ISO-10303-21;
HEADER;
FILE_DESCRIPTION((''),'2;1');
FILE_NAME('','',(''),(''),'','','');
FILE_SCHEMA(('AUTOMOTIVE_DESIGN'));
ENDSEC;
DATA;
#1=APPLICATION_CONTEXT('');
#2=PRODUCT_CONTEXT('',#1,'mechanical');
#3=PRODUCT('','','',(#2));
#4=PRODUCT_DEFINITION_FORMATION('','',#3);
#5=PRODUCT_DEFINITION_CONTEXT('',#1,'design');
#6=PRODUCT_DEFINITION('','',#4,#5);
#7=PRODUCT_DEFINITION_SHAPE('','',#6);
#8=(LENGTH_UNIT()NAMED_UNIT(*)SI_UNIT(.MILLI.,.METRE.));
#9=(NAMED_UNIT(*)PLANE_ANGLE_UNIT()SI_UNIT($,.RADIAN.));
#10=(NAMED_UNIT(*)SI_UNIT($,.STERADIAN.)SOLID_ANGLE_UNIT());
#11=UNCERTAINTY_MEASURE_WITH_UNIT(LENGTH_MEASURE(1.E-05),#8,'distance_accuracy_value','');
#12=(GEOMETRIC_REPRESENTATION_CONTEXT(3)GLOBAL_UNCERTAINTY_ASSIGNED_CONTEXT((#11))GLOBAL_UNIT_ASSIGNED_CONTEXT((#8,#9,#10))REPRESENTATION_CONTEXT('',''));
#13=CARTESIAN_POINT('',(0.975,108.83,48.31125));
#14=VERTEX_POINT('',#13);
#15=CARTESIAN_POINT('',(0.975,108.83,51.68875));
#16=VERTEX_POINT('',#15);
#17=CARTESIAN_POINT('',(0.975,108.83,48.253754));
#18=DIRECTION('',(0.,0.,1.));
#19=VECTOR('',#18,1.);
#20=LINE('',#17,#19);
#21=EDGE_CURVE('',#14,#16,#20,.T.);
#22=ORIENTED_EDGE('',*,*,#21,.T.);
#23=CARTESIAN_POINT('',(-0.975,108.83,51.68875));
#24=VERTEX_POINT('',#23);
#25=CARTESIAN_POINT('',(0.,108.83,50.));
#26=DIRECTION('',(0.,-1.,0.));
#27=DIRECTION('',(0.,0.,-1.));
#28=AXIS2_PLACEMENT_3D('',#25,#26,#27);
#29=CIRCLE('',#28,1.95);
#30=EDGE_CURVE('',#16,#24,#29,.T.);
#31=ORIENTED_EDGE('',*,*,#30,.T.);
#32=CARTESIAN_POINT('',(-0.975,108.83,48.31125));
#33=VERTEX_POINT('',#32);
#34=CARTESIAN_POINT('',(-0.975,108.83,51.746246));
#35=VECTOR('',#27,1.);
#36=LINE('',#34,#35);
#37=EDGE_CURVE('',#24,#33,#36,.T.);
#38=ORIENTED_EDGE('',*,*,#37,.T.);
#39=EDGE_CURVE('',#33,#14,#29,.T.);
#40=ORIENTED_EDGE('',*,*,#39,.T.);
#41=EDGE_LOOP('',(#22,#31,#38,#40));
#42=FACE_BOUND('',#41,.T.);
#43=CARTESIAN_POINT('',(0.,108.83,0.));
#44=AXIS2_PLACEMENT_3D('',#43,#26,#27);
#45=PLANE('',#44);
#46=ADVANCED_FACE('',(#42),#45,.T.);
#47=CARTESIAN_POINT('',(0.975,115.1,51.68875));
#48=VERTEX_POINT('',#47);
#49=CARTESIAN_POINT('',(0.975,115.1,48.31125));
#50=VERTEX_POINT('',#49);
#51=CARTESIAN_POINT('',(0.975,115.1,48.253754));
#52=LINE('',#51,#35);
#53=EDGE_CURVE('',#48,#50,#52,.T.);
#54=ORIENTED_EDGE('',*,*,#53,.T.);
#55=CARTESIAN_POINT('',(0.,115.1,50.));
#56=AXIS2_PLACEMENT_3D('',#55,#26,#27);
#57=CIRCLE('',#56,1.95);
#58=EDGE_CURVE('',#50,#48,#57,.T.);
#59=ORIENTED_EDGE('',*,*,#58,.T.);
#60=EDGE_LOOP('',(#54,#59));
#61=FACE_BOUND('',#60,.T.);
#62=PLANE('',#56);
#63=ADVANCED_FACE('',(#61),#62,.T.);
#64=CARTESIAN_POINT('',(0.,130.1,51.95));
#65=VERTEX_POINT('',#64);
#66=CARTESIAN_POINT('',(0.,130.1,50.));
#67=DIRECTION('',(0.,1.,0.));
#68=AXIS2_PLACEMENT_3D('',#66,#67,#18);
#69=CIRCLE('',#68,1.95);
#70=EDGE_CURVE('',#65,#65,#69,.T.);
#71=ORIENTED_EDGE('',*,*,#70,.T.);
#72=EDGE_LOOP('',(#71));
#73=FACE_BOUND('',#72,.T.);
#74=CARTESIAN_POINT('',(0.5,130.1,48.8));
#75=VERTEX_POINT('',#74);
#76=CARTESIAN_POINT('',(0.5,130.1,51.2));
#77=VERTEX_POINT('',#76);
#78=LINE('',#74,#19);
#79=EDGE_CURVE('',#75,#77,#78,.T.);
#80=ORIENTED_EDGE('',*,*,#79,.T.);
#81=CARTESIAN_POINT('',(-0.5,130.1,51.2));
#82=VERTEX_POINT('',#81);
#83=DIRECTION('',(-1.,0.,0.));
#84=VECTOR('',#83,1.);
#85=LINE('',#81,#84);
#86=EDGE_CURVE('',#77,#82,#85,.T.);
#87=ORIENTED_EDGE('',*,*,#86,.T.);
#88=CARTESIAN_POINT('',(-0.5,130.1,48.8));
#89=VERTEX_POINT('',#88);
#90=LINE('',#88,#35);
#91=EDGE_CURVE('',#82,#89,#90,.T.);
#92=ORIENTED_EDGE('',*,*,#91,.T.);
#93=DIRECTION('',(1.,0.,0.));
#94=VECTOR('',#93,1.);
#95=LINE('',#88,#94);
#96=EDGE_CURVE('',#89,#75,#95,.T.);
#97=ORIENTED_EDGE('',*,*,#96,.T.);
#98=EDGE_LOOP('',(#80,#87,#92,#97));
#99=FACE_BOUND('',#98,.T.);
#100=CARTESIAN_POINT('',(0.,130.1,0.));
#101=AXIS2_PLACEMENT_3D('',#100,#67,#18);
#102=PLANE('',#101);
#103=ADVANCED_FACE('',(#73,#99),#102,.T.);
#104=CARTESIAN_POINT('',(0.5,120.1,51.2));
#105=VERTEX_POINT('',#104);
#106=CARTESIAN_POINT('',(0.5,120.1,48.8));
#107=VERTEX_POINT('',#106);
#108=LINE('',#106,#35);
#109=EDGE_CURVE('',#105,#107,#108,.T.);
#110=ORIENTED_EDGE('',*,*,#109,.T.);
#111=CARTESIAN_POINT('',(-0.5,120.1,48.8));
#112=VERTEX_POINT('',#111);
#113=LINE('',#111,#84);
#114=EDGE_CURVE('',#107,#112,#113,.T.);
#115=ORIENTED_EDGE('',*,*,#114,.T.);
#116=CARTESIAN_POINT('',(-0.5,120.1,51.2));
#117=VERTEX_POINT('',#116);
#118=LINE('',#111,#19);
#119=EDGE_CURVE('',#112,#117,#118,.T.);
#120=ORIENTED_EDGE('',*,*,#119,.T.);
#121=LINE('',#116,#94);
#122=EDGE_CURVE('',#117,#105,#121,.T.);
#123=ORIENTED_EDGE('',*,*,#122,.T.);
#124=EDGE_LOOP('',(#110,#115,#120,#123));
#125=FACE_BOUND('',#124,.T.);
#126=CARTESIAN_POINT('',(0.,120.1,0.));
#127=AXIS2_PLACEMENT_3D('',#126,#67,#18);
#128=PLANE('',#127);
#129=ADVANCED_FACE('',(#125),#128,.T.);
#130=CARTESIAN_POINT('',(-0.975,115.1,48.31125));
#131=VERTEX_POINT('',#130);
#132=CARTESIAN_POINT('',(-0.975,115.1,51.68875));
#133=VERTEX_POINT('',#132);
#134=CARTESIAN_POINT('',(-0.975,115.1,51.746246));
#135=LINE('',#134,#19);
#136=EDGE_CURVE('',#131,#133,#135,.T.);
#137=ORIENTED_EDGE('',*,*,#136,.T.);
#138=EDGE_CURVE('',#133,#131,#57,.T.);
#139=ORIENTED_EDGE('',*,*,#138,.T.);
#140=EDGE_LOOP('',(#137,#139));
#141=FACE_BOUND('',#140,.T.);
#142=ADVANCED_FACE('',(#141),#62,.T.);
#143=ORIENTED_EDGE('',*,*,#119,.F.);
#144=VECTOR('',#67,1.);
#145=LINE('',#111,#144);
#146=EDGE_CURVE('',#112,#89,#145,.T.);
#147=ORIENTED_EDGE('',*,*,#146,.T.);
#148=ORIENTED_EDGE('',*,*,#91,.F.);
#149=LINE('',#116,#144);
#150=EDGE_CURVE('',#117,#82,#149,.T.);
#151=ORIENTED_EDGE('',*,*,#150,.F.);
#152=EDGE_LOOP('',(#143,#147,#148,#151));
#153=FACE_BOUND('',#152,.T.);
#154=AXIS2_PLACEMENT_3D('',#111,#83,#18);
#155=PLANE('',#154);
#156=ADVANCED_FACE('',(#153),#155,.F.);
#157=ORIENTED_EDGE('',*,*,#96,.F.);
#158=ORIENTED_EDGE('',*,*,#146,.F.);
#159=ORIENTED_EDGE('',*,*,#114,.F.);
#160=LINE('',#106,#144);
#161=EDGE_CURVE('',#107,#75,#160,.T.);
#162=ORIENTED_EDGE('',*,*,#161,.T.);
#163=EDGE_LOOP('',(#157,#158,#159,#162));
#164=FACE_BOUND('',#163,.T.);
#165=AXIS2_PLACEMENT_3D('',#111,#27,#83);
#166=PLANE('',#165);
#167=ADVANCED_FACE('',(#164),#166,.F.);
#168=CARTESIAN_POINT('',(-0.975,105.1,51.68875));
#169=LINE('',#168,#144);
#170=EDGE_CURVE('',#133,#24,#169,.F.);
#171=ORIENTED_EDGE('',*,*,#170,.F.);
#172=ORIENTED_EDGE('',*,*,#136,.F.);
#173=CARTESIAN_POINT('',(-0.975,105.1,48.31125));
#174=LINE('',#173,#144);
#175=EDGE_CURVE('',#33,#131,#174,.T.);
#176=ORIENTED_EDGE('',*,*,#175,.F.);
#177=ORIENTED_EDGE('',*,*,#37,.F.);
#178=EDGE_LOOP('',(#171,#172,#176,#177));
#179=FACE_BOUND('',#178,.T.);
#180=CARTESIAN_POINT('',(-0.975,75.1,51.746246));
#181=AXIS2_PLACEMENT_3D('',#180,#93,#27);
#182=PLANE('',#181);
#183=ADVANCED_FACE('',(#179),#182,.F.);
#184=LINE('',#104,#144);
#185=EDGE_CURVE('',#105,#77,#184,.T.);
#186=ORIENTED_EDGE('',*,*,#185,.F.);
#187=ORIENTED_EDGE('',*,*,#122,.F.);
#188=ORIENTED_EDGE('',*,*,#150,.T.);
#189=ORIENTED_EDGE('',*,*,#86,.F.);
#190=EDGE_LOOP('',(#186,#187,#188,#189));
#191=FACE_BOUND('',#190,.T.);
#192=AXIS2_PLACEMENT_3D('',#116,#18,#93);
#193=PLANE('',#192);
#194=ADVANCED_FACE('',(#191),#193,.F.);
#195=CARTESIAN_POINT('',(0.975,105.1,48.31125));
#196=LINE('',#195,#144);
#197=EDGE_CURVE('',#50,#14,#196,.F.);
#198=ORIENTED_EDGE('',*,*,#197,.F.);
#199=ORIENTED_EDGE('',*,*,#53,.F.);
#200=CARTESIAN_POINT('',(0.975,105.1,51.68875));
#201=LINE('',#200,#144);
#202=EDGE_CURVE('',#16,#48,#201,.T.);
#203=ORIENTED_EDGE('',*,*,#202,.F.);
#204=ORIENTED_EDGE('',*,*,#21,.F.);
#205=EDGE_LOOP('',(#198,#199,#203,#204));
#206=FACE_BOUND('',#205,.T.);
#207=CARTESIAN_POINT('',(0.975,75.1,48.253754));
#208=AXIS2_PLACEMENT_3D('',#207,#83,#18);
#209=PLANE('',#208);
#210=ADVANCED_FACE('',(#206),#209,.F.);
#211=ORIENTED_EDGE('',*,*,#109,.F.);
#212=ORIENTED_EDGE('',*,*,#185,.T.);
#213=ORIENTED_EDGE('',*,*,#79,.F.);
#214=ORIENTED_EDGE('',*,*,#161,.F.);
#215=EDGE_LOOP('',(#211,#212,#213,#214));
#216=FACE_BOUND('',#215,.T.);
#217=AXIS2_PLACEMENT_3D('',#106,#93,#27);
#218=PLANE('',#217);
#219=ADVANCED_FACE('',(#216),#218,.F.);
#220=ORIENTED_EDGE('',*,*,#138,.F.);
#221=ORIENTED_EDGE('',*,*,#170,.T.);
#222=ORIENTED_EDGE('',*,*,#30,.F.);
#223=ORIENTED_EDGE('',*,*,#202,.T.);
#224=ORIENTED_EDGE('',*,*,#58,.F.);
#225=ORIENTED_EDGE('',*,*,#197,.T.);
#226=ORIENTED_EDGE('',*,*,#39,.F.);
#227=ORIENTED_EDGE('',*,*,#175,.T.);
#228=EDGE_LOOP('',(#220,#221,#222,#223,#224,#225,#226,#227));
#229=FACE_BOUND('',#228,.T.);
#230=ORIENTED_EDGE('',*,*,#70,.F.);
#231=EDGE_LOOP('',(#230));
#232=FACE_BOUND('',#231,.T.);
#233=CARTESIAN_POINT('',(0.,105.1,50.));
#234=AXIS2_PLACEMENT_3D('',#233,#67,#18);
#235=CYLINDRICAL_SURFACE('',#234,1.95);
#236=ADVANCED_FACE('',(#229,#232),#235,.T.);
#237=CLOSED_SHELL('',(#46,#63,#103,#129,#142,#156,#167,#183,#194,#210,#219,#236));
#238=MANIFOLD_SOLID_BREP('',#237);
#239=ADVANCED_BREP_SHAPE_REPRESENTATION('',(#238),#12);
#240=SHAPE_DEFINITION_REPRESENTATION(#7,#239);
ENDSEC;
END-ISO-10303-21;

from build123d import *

# Parameters (mm, degrees)
SKETCH1_R               = 30
BOSS_EXTRUDE1_DEPTH     = 200
BOSS_EXTRUDE2_START     = -60
SKETCH2_R               = 4
BOSS_EXTRUDE2_DEPTH     = 80
BOSS_EXTRUDE3_DEPTH     = 10
BOSS_EXTRUDE4_DEPTH     = 10
FILLET1_R               = 10
FILLET2_R               = 3
CUT_EXTRUDE1_START      = -34
SKETCH7_R               = 4
CUT_EXTRUDE1_DEPTH      = 12
SKETCH8_R               = 2
CUT_EXTRUDE2_DEPTH      = 70
BOSS_EXTRUDE6_START     = 0.1
SKETCH9_R               = 2
BOSS_EXTRUDE6_DEPTH     = 70
CUT_EXTRUDE4_START      = -30
CUT_EXTRUDE4_DEPTH      = 35
SKETCH12_W              = 1
SKETCH12_H              = 2.4
CUT_EXTRUDE5_DEPTH      = 20
CUT_EXTRUDE6_START      = -200
SKETCH14_R              = 30
CUT_EXTRUDE6_DEPTH      = 200
SKETCH15_R              = 97.689585443
SKETCH15_R_2            = 2
CUT_EXTRUDE7_DEPTH      = 200
CUT_EXTRUDE8_DEPTH      = 200
CUT_EXTRUDE8_DEPTH_BACK = 200
SKETCH16_W              = 5.14946919
SKETCH16_H              = 11.525449866
CUT_EXTRUDE9_DEPTH      = 200
CUT_EXTRUDE9_DEPTH_BACK = 200
SKETCH17_W              = 4
SKETCH17_H              = 5
SKETCH19_W              = 8.073982183
SKETCH19_H              = 13.216207409
CUT_EXTRUDE11_DEPTH     = 7
SKETCH20_W              = 16.90925267
SKETCH20_H              = 17.799092854
CUT_EXTRUDE12_DEPTH     = 3
SKETCH21_W              = 18.708797059
SKETCH21_H              = 16.020174298
CUT_EXTRUDE13_DEPTH     = 3
SKETCH22_W              = 8.604903729
SKETCH22_H              = 5.934872157
CUT_EXTRUDE14_DEPTH     = 30.73
CUT_EXTRUDE15_DEPTH     = 5
SKETCH24_R              = 2
SKETCH24_R_2            = 1.95
CUT_EXTRUDE16_DEPTH     = 25


with BuildPart() as part:
    # Sketch1 → Boss-Extrude1 (new body)
    with BuildSketch(Plane(origin=(0, 0, 0), x_dir=(1, 0, 0), z_dir=(0, 1, 0))):
        Circle(SKETCH1_R)
    extrude(amount=BOSS_EXTRUDE1_DEPTH)

    # Sketch14 → Cut-Extrude6 (cut)
    with BuildSketch(Plane(origin=(0, 200, 0), x_dir=(1, 0, 0), z_dir=(0, 1, 0)).offset(CUT_EXTRUDE6_START)):
        Circle(SKETCH14_R)
    extrude(amount=CUT_EXTRUDE6_DEPTH, mode=Mode.SUBTRACT)


with BuildPart() as body_2:
    # Sketch2 → Boss-Extrude2 (new body)
    with BuildSketch(Plane(origin=(0, 200, 0), x_dir=(1, 0, 0), z_dir=(0, 1, 0)).offset(BOSS_EXTRUDE2_START)):
        with Locations((0, -50)):
            Circle(SKETCH2_R)
    extrude(amount=-BOSS_EXTRUDE2_DEPTH)

    # Sketch4 → Boss-Extrude3 (add)
    with BuildSketch(Plane(origin=(0, 140, 0), x_dir=(1, 0, 0), z_dir=(0, 1, 0))):
        with BuildLine():
            Line((-2.932848445, -47.28), (40.915854419, 0))
            Line((40.915854419, 0), (6, 37.648128431))
            Line((6, 37.648128431), (11.86569689, 43.088128431))
            Line((11.86569689, 43.088128431), (51.826748931, 0))
            Line((51.826748931, 0), (2.932848445, -52.72))
            ThreePointArc((2.932848445, -52.72), (2.72, -47.067151555), (-2.932848445, -47.28))
        make_face()
    extrude(amount=-BOSS_EXTRUDE3_DEPTH)

    # Sketch5 → Boss-Extrude4 (add)
    with BuildSketch(Plane.XZ.offset(-60)):
        with BuildLine():
            Line((6, -37.648128431), (11.86569689, -43.088128431))
            Line((11.86569689, -43.088128431), (51.826748931, 0))
            Line((51.826748931, 0), (2.932848445, 52.72))
            ThreePointArc((2.932848445, 52.72), (2.72, 47.067151555), (-2.932848445, 47.28))
            Line((-2.932848445, 47.28), (40.915854419, 0))
            Line((40.915854419, 0), (6, -37.648128431))
        make_face()
    extrude(amount=-BOSS_EXTRUDE4_DEPTH)

    # Fillet1
    fillet1_edges = [body_2.edges().sort_by_distance(p)[0] for p in [
        (51.826748931, 65, 0),
        (40.915854419, 65, 0),
        (40.915854419, 135, 0),
        (51.826748931, 135, 0),
    ]]
    fillet(fillet1_edges, radius=FILLET1_R)

    # Fillet2
    fillet2_edges = [body_2.edges().sort_by_distance(p)[0] for p in [
        (11.86569689, 65, -43.088128431),
        (8.932848445, 70, -40.368128431),
        (6, 65, -37.648128431),
        (8.932848445, 60, -40.368128431),
        (6, 135, -37.648128431),
        (8.932848445, 130, -40.368128431),
        (11.86569689, 135, -43.088128431),
        (8.932848445, 140, -40.368128431),
    ]]
    fillet(fillet2_edges, radius=FILLET2_R)

    # Sketch7 → Cut-Extrude1 (cut)
    with BuildSketch(Plane(origin=(0, 140, 0), x_dir=(1, 0, 0), z_dir=(0, 1, 0)).offset(CUT_EXTRUDE1_START)):
        with Locations((0, -50)):
            Circle(SKETCH7_R)
    extrude(amount=-CUT_EXTRUDE1_DEPTH, mode=Mode.SUBTRACT)


with BuildPart() as cut_extrude1_piece_1:
    # of the separate pieces the step leaves, piece 1, a body of its own (cut_extrude1_pieces)
    add(body_2.part.solids().sort_by_distance((13.90569689, 70, -40.888492097))[0])


with BuildPart() as cut_extrude1_piece_2:
    # of the separate pieces the step leaves, piece 2, a body of its own (cut_extrude1_pieces)
    add(body_2.part.solids().sort_by_distance((4, 130, 50))[0])


with BuildPart() as cut_extrude2_tool:
    # Sketch8 → Cut-Extrude2 (new body)
    with BuildSketch(Plane(origin=(0, 140, 0), x_dir=(1, 0, 0), z_dir=(0, 1, 0))):
        with Locations((0, -50)):
            Circle(SKETCH8_R)
    extrude(amount=-CUT_EXTRUDE2_DEPTH)


with BuildPart() as cut_extrude1_piece_1_1:
    add(cut_extrude1_piece_1.part)

    # Cut-Extrude2: cut by cut_extrude2_tool
    add(cut_extrude2_tool.part, mode=Mode.SUBTRACT)



with BuildPart() as cut_extrude1_piece_2_1:
    add(cut_extrude1_piece_2.part)

    # Cut-Extrude2: cut by cut_extrude2_tool
    add(cut_extrude2_tool.part, mode=Mode.SUBTRACT)


with BuildPart() as cut_extrude1_piece_1_2:
    add(cut_extrude1_piece_1_1.part)

    add(cut_extrude1_piece_2_1.part)  # Boss-Extrude6 merges Cut-Extrude1 piece 2
    # Sketch9 → Boss-Extrude6 (add)
    with BuildSketch(Plane(origin=(0, 140, 0), x_dir=(1, 0, 0), z_dir=(0, 1, 0)).offset(BOSS_EXTRUDE6_START)):
        with Locations((0, -50)):
            Circle(SKETCH9_R)
    extrude(amount=-BOSS_EXTRUDE6_DEPTH)

    # Sketch11 → Cut-Extrude4 (cut)
    with BuildSketch(Plane(origin=(0, 140.1, 0), x_dir=(1, 0, 0), z_dir=(0, 1, 0)).offset(CUT_EXTRUDE4_START)):
        with BuildLine():
            Line((-0.975, -51.746245974), (-0.975, -48.253754026))
            ThreePointArc((-0.975, -48.253754026), (-2, -50), (-0.975, -51.746245974))
        make_face()
        with BuildLine():
            Line((0.975, -48.253754026), (0.975, -51.746245974))
            ThreePointArc((0.975, -51.746245974), (2, -50), (0.975, -48.253754026))
        make_face()
    extrude(amount=-CUT_EXTRUDE4_DEPTH, mode=Mode.SUBTRACT)

    # Sketch12 → Cut-Extrude5 (cut)
    with BuildSketch(Plane(origin=(0, 140.1, 0), x_dir=(1, 0, 0), z_dir=(0, 1, 0))):
        with Locations((0, -50)):
            Rectangle(SKETCH12_W, SKETCH12_H)
    extrude(amount=-CUT_EXTRUDE5_DEPTH, mode=Mode.SUBTRACT)

    # Sketch15 → Cut-Extrude7 (cut)
    with BuildSketch(Plane(origin=(0, 140, 0), x_dir=(1, 0, 0), z_dir=(0, 1, 0))):
        with Locations((0, -50)):
            Circle(SKETCH15_R)
        with Locations((0, -50)):
            Circle(SKETCH15_R_2, mode=Mode.SUBTRACT)
    extrude(amount=-CUT_EXTRUDE7_DEPTH, mode=Mode.SUBTRACT)


with BuildPart() as cut_extrude7_piece_1:
    # of the separate pieces the step leaves, piece 1, a body of its own (cut_extrude7_pieces)
    add(cut_extrude1_piece_1_2.part.solids().sort_by_distance((0.975, 110.1, 51.746245974))[0])

    # Sketch17 → Cut-Extrude9 (cut, two sides: drawn at the far end of the back side and taken through both)
    with BuildSketch(Plane.ZY.offset(0.975).offset(-CUT_EXTRUDE9_DEPTH_BACK)):
        with Locations((50, 72.6)):
            Rectangle(SKETCH17_W, SKETCH17_H)
    extrude(amount=CUT_EXTRUDE9_DEPTH + CUT_EXTRUDE9_DEPTH_BACK, mode=Mode.SUBTRACT)

    # Sketch19 → Cut-Extrude11 (cut)
    with BuildSketch(Plane(origin=(0, 140.1, 0), x_dir=(1, 0, 0), z_dir=(0, 1, 0))):
        with Locations((-1.711492601, -47.464499481)):
            Rectangle(SKETCH19_W, SKETCH19_H)
    extrude(amount=-CUT_EXTRUDE11_DEPTH, mode=Mode.SUBTRACT)

    # Sketch20 → Cut-Extrude12 (cut)
    with BuildSketch(Plane(origin=(0, 133.1, 0), x_dir=(1, 0, 0), z_dir=(0, 1, 0))):
        with Locations((1.357922153, -50.543868256)):
            Rectangle(SKETCH20_W, SKETCH20_H)
    extrude(amount=-CUT_EXTRUDE12_DEPTH, mode=Mode.SUBTRACT)

    # Sketch21 → Cut-Extrude13 (cut)
    with BuildSketch(Plane.XZ.offset(-75.1)):
        with Locations((-2.026585117, 52.503315088)):
            Rectangle(SKETCH21_W, SKETCH21_H)
    extrude(amount=-CUT_EXTRUDE13_DEPTH, mode=Mode.SUBTRACT)

    # Sketch22 → Cut-Extrude14 (cut)
    with BuildSketch(Plane.XZ.offset(-78.1)):
        with Locations((0.059480902, 50.237923606)):
            Rectangle(SKETCH22_W, SKETCH22_H)
    extrude(amount=-CUT_EXTRUDE14_DEPTH, mode=Mode.SUBTRACT)

    # Sketch23 → Cut-Extrude15 (cut)
    with BuildSketch(Plane.XZ.offset(-110.1)):
        with BuildLine():
            Line((-0.975, 51.746245974), (-0.975, 48.253754026))
            ThreePointArc((-0.975, 48.253754026), (-2, 50), (-0.975, 51.746245974))
        make_face()
        with BuildLine():
            Line((0.975, 48.253754026), (0.975, 51.746245974))
            ThreePointArc((0.975, 51.746245974), (2, 50), (0.975, 48.253754026))
        make_face()
    extrude(amount=-CUT_EXTRUDE15_DEPTH, mode=Mode.SUBTRACT)

    # Sketch24 → Cut-Extrude16 (cut)
    with BuildSketch(Plane(origin=(0, 130.1, 0), x_dir=(1, 0, 0), z_dir=(0, 1, 0))):
        with Locations((0, -50)):
            Circle(SKETCH24_R)
        with Locations((0, -50)):
            Circle(SKETCH24_R_2, mode=Mode.SUBTRACT)
    extrude(amount=-CUT_EXTRUDE16_DEPTH, mode=Mode.SUBTRACT)


with BuildPart() as cut_extrude7_piece_2:
    # of the separate pieces the step leaves, piece 2, a body of its own (cut_extrude7_pieces)
    add(cut_extrude1_piece_1_2.part.solids().sort_by_distance((2, 60, 50))[0])

    # Sketch16 → Cut-Extrude8 (cut, two sides: drawn at the far end of the back side and taken through both)
    with BuildSketch(Plane(origin=(0.975, 0, 0), x_dir=(0, 0, -1), z_dir=(1, 0, 0)).offset(-CUT_EXTRUDE8_DEPTH_BACK)):
        with Locations((-49.425265405, 64.237275067)):
            Rectangle(SKETCH16_W, SKETCH16_H)
    extrude(amount=CUT_EXTRUDE8_DEPTH + CUT_EXTRUDE8_DEPTH_BACK, mode=Mode.SUBTRACT)


solid = cut_extrude7_piece_1.part
